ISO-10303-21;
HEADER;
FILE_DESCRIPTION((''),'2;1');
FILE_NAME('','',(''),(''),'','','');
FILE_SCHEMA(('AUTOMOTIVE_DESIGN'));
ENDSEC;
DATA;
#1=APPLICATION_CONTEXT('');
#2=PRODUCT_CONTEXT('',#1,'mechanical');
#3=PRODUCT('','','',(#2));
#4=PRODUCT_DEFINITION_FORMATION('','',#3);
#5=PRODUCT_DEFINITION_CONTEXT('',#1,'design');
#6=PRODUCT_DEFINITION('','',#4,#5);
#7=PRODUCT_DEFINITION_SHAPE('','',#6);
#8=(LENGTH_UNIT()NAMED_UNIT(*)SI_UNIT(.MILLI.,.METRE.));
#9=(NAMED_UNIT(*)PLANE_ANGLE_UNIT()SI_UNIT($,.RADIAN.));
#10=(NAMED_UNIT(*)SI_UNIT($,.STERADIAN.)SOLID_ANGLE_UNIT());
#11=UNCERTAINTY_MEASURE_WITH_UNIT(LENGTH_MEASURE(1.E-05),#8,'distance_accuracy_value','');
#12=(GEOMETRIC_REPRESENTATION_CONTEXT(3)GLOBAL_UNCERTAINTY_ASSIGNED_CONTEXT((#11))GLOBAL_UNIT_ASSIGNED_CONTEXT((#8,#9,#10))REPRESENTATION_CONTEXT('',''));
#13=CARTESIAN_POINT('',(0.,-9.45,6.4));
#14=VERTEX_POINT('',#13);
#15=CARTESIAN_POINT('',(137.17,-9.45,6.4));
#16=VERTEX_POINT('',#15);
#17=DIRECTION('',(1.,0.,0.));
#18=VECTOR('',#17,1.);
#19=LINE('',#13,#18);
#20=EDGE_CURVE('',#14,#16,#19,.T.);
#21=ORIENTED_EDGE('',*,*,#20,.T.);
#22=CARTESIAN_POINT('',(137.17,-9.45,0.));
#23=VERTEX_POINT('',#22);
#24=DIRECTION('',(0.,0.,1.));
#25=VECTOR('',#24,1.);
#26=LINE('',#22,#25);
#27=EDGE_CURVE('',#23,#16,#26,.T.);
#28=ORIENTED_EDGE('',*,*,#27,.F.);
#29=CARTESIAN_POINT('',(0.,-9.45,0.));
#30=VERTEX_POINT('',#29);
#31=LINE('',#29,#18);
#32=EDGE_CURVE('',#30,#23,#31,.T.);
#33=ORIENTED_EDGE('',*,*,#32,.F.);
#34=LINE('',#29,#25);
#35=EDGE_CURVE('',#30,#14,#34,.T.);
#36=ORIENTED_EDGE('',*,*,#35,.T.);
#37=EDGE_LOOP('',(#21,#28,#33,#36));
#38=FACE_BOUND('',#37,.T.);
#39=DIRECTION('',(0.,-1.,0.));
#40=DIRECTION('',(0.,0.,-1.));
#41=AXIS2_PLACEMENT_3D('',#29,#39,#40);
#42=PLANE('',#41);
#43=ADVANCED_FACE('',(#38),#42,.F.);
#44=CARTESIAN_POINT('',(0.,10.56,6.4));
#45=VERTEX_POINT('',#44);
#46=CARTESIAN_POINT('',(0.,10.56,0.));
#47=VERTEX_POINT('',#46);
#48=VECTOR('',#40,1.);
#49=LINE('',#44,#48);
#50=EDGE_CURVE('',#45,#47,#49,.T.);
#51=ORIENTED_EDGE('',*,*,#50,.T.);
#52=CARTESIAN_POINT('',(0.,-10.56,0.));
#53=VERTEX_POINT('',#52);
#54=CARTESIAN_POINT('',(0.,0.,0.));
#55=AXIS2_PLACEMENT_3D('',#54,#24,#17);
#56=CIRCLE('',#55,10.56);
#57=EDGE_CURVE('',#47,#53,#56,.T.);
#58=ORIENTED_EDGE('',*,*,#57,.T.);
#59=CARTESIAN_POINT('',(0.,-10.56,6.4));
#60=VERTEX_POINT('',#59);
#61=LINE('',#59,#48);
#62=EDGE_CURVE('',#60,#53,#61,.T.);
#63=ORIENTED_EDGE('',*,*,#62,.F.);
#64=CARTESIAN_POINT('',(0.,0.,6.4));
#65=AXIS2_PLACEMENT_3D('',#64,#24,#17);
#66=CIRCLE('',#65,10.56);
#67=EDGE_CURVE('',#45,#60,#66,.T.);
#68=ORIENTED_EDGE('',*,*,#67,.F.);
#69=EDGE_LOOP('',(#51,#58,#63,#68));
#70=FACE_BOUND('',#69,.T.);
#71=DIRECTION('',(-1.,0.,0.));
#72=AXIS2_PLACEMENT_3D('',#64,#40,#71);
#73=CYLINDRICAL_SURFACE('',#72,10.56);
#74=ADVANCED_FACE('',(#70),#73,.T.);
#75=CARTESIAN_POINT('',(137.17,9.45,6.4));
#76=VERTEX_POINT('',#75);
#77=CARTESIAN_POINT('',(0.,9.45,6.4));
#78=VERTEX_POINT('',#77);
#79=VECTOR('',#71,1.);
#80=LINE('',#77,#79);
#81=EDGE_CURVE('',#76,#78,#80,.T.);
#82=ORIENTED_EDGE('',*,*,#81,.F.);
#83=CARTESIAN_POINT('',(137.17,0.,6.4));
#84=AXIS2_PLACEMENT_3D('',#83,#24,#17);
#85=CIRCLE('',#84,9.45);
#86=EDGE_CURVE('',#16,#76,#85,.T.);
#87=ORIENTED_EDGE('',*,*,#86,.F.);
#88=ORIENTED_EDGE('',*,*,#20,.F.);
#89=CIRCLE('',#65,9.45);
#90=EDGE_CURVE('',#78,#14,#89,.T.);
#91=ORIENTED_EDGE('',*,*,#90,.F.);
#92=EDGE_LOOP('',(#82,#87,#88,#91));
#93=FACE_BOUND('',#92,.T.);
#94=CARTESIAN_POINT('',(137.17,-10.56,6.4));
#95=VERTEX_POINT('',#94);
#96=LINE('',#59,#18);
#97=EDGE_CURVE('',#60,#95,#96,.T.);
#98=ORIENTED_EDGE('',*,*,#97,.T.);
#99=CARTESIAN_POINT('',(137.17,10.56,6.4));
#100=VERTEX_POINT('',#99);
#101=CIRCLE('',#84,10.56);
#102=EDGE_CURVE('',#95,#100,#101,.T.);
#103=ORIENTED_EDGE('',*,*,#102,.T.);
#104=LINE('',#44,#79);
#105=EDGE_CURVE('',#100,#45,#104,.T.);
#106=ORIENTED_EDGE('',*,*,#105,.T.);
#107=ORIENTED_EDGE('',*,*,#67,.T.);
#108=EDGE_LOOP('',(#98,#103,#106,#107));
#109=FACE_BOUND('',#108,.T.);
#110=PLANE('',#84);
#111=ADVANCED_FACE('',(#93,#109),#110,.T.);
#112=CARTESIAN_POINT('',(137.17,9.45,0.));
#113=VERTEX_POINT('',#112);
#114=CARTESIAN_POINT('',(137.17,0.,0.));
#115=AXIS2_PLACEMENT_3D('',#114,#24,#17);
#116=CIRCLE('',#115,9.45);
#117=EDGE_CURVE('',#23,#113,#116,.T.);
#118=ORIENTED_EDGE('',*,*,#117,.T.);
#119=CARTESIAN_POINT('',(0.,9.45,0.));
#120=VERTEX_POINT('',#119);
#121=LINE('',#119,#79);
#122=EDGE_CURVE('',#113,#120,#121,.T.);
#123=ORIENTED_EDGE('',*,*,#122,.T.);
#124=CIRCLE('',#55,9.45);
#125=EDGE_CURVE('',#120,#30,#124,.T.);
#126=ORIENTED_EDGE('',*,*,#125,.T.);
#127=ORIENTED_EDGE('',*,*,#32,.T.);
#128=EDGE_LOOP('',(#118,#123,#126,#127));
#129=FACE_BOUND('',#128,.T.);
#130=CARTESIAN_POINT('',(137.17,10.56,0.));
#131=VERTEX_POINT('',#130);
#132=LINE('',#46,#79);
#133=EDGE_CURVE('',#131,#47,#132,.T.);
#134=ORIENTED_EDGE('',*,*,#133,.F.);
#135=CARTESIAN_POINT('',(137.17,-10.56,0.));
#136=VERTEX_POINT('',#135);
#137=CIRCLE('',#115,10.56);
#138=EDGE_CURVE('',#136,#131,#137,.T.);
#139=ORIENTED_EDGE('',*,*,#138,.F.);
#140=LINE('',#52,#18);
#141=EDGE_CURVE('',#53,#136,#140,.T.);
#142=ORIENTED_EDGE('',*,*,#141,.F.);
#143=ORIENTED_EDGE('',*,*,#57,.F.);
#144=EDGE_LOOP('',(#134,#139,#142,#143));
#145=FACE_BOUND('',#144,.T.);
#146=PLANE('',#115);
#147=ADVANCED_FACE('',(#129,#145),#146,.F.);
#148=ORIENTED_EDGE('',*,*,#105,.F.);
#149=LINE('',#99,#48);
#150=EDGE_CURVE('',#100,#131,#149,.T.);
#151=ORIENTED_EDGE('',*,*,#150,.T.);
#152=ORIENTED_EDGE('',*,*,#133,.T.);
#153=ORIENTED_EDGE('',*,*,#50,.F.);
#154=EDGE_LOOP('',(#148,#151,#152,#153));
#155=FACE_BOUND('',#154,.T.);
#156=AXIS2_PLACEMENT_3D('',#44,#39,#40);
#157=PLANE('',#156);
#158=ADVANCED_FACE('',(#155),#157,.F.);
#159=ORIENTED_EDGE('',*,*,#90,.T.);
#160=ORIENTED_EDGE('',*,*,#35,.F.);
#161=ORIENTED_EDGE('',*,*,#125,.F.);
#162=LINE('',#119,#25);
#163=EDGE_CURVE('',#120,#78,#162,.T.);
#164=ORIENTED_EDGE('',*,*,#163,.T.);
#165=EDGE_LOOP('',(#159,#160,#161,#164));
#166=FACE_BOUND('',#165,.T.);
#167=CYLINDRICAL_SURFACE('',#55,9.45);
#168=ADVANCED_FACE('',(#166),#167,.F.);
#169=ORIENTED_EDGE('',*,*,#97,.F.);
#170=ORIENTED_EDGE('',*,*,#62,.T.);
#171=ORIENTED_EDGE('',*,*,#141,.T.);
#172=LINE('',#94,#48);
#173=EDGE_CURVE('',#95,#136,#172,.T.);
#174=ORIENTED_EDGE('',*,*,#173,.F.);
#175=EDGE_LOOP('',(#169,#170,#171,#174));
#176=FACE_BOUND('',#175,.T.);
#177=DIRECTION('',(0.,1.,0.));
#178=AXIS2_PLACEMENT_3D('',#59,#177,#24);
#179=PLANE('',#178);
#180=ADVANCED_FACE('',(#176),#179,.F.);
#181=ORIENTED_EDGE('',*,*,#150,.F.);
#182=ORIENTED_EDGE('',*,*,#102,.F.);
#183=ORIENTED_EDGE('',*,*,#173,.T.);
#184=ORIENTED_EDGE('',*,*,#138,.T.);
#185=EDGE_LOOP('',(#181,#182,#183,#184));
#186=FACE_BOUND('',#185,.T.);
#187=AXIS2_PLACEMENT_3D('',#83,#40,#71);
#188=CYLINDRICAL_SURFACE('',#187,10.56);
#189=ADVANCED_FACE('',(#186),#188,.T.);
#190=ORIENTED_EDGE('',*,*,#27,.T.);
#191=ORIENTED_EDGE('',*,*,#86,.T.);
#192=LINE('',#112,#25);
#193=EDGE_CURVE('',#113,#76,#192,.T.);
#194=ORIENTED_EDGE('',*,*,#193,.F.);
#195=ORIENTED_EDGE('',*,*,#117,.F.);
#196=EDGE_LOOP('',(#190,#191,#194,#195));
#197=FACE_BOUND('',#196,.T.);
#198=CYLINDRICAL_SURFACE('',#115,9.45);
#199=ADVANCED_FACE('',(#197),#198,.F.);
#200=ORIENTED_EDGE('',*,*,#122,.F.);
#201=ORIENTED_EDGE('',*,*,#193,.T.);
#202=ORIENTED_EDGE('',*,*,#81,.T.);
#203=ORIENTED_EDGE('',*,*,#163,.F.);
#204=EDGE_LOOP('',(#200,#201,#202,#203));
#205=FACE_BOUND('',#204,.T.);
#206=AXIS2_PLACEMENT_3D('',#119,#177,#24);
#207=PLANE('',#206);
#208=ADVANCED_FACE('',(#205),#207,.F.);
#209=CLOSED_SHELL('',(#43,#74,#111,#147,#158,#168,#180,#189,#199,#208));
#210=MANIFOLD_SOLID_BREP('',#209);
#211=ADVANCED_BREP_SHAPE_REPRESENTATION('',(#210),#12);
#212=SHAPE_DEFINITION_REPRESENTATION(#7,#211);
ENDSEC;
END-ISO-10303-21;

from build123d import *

# Parameters (mm, degrees)
BOSS_EXTRUDE1_DEPTH = 6.4
CUT_EXTRUDE1_DEPTH  = 149.245156751


with BuildPart() as part:
    # Sketch1 → Boss-Extrude1 (new body)
    with BuildSketch(Plane.XY):
        with BuildLine():
            Line((0, 10.56), (137.17, 10.56))
            ThreePointArc((137.17, 10.56), (147.73, 0), (137.17, -10.56))
            Line((137.17, -10.56), (0, -10.56))
            ThreePointArc((0, -10.56), (-10.56, 0), (0, 10.56))
        make_face()
    extrude(amount=BOSS_EXTRUDE1_DEPTH)

    # Sketch2 → Cut-Extrude1 (cut, through all)
    with BuildSketch(Plane.XY.offset(6.4)):
        with BuildLine():
            Line((0, 9.45), (137.17, 9.45))
            ThreePointArc((137.17, 9.45), (146.62, 0), (137.17, -9.45))
            Line((137.17, -9.45), (0, -9.45))
            ThreePointArc((0, -9.45), (-9.45, 0), (0, 9.45))
        make_face()
    extrude(amount=-CUT_EXTRUDE1_DEPTH, mode=Mode.SUBTRACT)


solid = part.part
